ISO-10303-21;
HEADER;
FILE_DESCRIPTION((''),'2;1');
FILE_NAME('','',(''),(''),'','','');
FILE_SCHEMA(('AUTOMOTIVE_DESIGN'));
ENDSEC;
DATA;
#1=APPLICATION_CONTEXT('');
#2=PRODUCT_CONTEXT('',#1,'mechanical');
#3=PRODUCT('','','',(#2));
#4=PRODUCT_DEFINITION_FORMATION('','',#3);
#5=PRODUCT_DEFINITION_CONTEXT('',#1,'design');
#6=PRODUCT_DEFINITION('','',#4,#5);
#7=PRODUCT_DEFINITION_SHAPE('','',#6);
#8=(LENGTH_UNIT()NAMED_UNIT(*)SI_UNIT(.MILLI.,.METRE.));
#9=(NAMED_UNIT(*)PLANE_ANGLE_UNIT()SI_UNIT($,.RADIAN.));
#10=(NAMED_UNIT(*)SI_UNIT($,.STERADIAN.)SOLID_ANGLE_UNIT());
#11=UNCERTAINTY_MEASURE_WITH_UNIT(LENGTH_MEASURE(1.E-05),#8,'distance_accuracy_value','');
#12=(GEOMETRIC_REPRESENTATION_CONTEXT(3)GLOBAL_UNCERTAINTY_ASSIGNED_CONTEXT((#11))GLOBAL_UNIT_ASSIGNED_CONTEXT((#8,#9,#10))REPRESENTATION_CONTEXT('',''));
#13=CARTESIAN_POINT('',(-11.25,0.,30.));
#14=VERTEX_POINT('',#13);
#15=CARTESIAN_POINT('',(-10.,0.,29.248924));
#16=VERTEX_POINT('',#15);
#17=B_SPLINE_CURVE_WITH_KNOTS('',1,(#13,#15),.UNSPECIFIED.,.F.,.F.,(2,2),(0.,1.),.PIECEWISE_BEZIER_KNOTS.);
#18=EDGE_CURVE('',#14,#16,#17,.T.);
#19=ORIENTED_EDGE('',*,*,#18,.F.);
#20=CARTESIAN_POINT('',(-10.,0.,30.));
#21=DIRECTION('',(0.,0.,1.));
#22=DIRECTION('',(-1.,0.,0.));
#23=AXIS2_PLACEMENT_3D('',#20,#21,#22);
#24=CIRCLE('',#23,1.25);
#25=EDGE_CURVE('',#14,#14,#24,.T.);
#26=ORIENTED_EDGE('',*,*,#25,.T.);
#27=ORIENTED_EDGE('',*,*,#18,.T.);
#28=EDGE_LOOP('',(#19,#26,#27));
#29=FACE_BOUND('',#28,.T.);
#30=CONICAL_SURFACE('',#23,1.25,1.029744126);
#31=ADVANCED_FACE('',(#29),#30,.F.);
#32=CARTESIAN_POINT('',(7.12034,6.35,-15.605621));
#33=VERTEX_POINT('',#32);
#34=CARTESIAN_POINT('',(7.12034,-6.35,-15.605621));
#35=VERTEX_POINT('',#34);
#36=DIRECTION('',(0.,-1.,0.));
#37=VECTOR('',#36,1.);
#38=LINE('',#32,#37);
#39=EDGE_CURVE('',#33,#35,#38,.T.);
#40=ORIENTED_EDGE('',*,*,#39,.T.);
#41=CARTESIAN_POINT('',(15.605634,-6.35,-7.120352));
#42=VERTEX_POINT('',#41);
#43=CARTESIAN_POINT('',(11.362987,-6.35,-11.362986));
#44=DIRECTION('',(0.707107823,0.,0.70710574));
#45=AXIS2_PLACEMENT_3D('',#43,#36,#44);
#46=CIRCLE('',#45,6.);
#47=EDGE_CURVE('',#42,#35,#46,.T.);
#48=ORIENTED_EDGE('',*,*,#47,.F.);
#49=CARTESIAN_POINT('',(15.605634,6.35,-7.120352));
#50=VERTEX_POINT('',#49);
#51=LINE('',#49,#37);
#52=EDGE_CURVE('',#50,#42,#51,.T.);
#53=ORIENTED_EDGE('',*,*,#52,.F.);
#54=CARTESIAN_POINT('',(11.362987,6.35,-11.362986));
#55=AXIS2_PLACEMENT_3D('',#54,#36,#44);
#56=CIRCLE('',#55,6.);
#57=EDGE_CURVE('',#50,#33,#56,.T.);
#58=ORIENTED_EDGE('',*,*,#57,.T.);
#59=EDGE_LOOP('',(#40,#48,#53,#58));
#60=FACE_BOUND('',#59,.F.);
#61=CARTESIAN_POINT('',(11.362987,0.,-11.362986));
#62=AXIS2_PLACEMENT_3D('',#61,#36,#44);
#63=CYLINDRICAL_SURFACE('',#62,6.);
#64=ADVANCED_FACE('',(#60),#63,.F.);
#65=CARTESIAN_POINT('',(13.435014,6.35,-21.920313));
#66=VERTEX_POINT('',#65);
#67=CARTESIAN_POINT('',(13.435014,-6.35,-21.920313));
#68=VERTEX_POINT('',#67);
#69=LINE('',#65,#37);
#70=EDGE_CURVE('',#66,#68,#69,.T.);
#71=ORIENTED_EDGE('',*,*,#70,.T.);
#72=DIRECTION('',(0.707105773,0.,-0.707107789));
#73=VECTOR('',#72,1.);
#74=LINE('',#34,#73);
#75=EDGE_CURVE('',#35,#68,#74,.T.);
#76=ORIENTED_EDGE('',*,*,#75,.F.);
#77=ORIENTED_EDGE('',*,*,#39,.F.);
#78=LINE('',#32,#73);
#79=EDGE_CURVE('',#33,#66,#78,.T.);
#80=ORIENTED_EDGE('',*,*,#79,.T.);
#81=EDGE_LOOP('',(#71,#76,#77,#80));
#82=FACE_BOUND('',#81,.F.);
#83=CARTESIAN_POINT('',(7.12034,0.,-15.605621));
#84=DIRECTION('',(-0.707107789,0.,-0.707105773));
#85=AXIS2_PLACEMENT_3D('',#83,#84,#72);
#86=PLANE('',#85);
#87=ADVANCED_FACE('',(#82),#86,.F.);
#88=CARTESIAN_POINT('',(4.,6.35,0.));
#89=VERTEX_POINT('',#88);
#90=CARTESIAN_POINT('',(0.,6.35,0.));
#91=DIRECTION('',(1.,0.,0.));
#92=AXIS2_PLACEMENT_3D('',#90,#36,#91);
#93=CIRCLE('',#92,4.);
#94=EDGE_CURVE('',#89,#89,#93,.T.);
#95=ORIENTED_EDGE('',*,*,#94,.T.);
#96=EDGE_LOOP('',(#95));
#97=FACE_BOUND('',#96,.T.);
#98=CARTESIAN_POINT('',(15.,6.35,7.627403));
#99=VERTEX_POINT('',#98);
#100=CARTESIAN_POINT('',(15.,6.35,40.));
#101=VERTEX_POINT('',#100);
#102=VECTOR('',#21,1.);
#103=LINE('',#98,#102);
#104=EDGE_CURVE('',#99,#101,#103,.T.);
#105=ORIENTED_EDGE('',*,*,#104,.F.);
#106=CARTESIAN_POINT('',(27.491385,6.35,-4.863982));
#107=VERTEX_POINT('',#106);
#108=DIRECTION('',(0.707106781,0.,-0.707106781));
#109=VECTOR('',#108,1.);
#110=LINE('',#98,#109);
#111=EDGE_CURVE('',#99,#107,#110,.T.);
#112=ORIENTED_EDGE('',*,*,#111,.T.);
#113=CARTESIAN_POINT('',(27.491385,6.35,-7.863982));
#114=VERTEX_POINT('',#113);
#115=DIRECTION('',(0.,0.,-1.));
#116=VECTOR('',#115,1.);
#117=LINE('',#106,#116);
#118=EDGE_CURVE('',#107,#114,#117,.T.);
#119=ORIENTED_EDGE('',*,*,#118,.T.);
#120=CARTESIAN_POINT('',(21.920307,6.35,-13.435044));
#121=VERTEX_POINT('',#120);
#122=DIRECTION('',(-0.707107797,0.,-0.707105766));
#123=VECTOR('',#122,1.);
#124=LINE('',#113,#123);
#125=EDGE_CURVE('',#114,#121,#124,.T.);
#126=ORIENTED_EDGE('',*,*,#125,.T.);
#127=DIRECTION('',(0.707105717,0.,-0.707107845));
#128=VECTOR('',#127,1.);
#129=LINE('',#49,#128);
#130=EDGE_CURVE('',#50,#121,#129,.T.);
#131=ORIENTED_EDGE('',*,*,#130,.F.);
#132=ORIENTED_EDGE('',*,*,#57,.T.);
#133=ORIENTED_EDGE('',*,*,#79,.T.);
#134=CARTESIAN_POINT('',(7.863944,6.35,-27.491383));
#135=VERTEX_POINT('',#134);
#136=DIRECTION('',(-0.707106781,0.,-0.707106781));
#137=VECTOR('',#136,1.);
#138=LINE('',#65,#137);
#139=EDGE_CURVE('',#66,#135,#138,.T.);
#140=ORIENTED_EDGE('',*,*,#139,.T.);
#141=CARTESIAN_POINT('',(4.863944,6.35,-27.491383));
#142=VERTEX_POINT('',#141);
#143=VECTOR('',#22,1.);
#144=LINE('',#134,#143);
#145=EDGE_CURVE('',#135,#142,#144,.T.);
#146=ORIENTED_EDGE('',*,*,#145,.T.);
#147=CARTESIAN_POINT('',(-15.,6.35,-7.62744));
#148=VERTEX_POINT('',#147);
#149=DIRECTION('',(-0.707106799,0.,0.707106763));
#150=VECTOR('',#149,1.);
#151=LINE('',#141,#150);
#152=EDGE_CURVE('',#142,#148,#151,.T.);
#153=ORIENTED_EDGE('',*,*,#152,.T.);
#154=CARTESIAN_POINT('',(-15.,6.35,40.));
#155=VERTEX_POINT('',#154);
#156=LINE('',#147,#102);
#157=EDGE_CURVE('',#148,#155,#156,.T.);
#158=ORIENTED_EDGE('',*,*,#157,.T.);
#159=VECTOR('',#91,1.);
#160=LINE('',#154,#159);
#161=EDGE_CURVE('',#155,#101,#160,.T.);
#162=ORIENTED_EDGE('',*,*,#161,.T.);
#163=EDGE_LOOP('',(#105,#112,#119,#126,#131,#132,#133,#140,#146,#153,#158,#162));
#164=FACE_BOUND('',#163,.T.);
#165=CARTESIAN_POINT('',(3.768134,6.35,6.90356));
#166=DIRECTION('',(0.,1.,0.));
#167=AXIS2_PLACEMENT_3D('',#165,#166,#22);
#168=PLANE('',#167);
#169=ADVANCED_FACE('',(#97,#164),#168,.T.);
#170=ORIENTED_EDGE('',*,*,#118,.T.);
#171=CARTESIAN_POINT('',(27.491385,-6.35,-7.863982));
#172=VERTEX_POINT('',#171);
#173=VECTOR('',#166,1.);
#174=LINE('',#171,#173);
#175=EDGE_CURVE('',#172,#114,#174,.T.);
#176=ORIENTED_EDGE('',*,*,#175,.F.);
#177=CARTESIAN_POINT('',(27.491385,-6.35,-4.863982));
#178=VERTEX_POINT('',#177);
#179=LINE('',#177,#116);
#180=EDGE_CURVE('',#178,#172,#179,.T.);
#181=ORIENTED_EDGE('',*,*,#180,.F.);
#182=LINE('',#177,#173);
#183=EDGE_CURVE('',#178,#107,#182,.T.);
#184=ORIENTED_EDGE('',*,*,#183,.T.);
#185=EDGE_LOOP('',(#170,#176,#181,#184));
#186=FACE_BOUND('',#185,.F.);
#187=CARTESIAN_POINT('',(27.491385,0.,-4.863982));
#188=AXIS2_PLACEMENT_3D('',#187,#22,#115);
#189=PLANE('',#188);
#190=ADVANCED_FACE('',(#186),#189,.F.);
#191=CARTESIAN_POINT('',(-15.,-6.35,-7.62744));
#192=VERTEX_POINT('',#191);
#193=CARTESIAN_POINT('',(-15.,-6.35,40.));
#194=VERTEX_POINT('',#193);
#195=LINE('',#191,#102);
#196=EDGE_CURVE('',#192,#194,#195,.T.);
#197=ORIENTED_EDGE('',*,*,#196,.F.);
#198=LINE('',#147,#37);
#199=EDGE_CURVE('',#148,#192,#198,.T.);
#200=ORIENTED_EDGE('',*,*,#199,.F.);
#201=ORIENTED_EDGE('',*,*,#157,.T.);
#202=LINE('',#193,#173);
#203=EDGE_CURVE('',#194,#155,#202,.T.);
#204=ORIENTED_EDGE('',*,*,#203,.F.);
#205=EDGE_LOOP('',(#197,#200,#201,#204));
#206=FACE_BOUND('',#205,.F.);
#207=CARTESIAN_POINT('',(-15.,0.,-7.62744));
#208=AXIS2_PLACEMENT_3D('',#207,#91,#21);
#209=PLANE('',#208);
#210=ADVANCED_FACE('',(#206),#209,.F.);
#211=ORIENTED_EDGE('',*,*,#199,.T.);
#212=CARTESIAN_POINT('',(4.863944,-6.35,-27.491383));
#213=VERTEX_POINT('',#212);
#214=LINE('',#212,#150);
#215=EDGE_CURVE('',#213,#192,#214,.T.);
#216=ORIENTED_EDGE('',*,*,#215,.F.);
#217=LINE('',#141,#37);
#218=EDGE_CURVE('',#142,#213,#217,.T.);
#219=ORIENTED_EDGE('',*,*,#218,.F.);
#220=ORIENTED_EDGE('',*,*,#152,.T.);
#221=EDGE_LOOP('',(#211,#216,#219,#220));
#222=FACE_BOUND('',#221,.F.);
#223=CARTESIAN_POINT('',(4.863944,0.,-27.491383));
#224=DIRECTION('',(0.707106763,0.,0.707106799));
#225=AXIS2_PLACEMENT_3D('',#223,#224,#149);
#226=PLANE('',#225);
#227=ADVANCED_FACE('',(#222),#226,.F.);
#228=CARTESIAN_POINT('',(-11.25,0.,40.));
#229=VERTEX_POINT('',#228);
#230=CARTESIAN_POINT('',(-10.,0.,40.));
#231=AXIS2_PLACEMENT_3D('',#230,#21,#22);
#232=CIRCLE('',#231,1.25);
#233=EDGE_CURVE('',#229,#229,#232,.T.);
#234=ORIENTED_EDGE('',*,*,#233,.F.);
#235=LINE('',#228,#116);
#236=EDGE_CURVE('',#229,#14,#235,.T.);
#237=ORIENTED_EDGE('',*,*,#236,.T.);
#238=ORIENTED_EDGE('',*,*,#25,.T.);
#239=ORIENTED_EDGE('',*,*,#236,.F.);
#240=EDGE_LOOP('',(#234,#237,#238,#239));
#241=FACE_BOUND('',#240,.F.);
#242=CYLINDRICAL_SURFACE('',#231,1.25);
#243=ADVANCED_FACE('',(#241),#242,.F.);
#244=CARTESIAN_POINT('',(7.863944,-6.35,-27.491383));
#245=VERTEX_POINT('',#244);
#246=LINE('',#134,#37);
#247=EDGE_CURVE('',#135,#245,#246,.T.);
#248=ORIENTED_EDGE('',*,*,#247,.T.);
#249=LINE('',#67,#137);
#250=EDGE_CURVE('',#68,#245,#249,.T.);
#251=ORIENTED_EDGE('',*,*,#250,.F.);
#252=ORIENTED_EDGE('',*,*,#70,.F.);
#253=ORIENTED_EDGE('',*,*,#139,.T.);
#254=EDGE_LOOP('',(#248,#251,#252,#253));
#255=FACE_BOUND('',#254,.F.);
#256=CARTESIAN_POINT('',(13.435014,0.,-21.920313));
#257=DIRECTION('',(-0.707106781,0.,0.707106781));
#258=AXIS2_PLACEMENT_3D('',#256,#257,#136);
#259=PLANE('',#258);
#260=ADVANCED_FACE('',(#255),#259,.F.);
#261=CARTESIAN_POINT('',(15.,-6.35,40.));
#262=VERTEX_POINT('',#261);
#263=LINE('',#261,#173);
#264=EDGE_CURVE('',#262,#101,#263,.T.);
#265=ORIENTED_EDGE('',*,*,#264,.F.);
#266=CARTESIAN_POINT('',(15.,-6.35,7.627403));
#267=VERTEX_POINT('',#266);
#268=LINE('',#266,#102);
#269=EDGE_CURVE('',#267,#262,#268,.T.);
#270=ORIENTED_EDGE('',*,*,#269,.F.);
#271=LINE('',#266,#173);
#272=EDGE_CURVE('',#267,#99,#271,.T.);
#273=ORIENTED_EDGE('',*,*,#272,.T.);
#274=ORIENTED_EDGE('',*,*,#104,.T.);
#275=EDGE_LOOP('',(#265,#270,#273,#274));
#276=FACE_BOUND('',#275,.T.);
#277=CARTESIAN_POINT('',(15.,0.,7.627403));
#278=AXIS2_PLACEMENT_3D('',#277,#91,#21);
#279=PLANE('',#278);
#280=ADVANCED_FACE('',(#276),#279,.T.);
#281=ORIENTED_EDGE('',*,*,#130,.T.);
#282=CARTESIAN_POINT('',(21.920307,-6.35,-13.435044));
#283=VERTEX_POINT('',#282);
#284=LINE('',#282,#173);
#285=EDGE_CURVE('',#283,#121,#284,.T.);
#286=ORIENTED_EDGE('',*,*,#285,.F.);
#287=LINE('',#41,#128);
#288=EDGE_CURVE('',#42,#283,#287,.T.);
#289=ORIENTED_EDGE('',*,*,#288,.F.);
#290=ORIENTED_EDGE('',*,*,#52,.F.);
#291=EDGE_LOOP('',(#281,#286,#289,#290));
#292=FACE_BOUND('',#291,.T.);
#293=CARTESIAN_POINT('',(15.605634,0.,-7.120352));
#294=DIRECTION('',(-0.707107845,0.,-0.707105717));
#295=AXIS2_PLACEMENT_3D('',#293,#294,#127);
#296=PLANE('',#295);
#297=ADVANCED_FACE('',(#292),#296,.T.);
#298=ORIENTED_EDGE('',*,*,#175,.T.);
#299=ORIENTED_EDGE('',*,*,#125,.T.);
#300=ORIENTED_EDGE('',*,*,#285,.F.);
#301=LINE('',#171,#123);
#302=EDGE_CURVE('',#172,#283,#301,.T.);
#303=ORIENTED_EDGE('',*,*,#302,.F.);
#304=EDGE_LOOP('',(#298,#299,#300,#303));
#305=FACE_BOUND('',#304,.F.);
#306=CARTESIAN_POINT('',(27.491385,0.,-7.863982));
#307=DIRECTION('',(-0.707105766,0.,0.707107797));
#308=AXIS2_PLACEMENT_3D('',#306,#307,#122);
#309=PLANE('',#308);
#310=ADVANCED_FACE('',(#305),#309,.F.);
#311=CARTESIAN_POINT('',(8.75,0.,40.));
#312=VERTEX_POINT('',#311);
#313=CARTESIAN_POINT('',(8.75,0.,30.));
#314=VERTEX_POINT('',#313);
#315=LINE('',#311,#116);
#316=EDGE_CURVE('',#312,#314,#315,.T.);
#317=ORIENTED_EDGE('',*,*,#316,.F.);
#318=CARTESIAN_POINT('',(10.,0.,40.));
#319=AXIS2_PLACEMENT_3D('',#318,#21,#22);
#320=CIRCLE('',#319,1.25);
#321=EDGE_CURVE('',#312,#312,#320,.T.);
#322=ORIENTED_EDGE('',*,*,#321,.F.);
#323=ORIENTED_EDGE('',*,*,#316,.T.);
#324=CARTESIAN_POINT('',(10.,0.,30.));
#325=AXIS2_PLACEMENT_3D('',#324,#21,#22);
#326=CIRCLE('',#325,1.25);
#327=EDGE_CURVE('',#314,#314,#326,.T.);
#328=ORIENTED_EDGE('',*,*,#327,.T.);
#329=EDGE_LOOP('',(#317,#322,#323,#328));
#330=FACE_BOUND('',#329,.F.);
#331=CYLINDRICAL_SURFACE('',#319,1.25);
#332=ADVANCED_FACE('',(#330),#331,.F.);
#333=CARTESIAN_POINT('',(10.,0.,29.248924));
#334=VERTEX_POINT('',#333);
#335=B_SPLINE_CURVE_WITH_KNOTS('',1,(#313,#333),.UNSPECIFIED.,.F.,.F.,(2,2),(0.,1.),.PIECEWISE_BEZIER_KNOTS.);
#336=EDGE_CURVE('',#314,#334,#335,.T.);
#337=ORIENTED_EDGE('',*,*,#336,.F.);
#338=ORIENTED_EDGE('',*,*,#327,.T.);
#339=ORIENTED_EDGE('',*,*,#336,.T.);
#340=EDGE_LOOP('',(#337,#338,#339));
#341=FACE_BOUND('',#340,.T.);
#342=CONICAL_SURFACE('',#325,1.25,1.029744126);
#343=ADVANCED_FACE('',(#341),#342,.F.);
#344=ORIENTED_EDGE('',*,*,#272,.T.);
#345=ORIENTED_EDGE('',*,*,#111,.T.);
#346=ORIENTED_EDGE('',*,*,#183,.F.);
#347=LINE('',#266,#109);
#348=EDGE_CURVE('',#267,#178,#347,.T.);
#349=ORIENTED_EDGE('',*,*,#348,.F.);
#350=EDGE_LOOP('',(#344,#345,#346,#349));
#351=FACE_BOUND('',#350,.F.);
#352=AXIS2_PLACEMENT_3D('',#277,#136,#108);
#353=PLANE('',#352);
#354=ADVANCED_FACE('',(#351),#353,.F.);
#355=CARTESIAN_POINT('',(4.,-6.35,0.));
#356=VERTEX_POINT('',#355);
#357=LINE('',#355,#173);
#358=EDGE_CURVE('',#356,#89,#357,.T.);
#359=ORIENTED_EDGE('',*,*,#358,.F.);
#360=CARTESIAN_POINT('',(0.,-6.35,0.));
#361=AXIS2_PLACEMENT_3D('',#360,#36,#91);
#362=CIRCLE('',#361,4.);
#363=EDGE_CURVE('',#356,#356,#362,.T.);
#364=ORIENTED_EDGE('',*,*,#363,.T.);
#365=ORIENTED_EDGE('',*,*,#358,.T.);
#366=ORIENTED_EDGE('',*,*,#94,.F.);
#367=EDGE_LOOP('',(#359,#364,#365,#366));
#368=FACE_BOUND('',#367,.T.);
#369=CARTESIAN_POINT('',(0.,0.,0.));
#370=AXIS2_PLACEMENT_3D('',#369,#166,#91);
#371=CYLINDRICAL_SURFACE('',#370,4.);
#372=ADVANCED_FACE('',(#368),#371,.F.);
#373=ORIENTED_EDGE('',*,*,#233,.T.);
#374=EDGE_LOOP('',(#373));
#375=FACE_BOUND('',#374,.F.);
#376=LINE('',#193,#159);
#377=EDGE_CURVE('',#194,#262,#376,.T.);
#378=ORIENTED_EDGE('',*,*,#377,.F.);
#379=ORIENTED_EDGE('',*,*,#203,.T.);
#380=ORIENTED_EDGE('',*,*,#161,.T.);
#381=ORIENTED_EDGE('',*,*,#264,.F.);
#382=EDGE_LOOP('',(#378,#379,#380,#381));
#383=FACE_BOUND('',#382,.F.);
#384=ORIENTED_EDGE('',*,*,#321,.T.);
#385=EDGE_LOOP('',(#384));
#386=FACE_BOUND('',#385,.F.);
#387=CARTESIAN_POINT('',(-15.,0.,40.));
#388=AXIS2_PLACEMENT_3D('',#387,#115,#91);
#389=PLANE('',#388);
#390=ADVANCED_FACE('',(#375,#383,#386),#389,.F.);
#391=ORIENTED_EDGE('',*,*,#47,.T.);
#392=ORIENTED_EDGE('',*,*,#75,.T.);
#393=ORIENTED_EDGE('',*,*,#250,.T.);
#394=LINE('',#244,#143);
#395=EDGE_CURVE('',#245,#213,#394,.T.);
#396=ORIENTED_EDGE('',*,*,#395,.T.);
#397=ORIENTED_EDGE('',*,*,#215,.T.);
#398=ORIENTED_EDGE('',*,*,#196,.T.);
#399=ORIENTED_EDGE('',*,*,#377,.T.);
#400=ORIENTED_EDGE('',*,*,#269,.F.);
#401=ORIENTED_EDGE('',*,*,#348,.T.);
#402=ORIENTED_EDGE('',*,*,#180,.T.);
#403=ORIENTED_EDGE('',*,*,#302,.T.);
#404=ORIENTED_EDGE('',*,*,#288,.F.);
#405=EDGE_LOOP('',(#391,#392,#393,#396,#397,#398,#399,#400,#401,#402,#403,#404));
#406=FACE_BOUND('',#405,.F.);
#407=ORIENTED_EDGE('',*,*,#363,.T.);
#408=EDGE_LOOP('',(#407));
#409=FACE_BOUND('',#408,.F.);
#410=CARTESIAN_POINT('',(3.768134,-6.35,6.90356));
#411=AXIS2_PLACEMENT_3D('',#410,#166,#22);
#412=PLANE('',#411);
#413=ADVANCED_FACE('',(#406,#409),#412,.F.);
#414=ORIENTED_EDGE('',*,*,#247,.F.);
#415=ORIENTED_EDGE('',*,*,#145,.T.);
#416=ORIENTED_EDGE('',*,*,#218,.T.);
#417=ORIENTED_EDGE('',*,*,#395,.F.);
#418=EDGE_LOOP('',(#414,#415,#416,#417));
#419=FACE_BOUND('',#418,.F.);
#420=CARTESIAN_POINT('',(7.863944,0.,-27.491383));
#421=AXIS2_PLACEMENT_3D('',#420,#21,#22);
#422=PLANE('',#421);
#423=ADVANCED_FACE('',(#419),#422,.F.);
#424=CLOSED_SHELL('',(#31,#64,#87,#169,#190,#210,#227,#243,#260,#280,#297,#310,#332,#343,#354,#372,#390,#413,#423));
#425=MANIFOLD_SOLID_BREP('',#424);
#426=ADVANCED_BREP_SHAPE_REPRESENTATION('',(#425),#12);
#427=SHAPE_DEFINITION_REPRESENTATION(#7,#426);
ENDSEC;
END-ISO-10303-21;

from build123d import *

# Parameters (mm, degrees)
SKETCH_R    = 4
PAD_DEPTH   = 6.35
SKETCH001_R = 1.25
HOLE_DEPTH  = 10
HOLE_TIPS_R = 1.25


with BuildPart() as part:
    # Sketch → Pad (new body, symmetric)
    with BuildSketch(Plane.XZ):
        with BuildLine():
            Line((-15, -7.62744), (-15, 40))
            Line((-15, 40), (15, 40))
            Line((15, 7.627403), (15, 40))
            Line((15, 7.627403), (27.491385, -4.863982))
            Line((27.491385, -4.863982), (27.491385, -7.863982))
            Line((27.491385, -7.863982), (21.920307, -13.435044))
            Line((15.605634, -7.120352), (21.920307, -13.435044))
            ThreePointArc((15.605634, -7.120352), (7.120352, -7.12034), (7.12034, -15.605621))
            Line((7.12034, -15.605621), (13.435014, -21.920313))
            Line((13.435014, -21.920313), (7.863944, -27.491383))
            Line((7.863944, -27.491383), (4.863944, -27.491383))
            Line((4.863944, -27.491383), (-15, -7.62744))
        make_face()
        Circle(SKETCH_R, mode=Mode.SUBTRACT)
    extrude(amount=PAD_DEPTH, both=True)

    # Sketch001 (on Face7 of Pad) → Hole (cut)
    with BuildSketch(Plane(origin=(0, 0, 40), x_dir=(-1, 0, 0), z_dir=(0, 0, 1))):
        with Locations((-10, 0)):
            Circle(SKETCH001_R)
        with Locations((10, 0)):
            Circle(SKETCH001_R)
    extrude(amount=-HOLE_DEPTH, mode=Mode.SUBTRACT)

    # Hole tips → Hole tip 1 section 0
    with BuildSketch(Plane(origin=(0, 0, 30), x_dir=(-1, 0, 0), z_dir=(0, 0, 1)), mode=Mode.PRIVATE) as hole_tip_1_s0:
        with Locations((-10, 0)):
            Circle(HOLE_TIPS_R)
    loft([hole_tip_1_s0.sketch, Vertex(10, 0, 29.248924)], mode=Mode.SUBTRACT)

    # Hole tips → Hole tip 2 section 0
    with BuildSketch(Plane(origin=(0, 0, 30), x_dir=(-1, 0, 0), z_dir=(0, 0, 1)), mode=Mode.PRIVATE) as hole_tip_2_s0:
        with Locations((10, 0)):
            Circle(HOLE_TIPS_R)
    loft([hole_tip_2_s0.sketch, Vertex(-10, 0, 29.248924)], mode=Mode.SUBTRACT)


solid = part.part
